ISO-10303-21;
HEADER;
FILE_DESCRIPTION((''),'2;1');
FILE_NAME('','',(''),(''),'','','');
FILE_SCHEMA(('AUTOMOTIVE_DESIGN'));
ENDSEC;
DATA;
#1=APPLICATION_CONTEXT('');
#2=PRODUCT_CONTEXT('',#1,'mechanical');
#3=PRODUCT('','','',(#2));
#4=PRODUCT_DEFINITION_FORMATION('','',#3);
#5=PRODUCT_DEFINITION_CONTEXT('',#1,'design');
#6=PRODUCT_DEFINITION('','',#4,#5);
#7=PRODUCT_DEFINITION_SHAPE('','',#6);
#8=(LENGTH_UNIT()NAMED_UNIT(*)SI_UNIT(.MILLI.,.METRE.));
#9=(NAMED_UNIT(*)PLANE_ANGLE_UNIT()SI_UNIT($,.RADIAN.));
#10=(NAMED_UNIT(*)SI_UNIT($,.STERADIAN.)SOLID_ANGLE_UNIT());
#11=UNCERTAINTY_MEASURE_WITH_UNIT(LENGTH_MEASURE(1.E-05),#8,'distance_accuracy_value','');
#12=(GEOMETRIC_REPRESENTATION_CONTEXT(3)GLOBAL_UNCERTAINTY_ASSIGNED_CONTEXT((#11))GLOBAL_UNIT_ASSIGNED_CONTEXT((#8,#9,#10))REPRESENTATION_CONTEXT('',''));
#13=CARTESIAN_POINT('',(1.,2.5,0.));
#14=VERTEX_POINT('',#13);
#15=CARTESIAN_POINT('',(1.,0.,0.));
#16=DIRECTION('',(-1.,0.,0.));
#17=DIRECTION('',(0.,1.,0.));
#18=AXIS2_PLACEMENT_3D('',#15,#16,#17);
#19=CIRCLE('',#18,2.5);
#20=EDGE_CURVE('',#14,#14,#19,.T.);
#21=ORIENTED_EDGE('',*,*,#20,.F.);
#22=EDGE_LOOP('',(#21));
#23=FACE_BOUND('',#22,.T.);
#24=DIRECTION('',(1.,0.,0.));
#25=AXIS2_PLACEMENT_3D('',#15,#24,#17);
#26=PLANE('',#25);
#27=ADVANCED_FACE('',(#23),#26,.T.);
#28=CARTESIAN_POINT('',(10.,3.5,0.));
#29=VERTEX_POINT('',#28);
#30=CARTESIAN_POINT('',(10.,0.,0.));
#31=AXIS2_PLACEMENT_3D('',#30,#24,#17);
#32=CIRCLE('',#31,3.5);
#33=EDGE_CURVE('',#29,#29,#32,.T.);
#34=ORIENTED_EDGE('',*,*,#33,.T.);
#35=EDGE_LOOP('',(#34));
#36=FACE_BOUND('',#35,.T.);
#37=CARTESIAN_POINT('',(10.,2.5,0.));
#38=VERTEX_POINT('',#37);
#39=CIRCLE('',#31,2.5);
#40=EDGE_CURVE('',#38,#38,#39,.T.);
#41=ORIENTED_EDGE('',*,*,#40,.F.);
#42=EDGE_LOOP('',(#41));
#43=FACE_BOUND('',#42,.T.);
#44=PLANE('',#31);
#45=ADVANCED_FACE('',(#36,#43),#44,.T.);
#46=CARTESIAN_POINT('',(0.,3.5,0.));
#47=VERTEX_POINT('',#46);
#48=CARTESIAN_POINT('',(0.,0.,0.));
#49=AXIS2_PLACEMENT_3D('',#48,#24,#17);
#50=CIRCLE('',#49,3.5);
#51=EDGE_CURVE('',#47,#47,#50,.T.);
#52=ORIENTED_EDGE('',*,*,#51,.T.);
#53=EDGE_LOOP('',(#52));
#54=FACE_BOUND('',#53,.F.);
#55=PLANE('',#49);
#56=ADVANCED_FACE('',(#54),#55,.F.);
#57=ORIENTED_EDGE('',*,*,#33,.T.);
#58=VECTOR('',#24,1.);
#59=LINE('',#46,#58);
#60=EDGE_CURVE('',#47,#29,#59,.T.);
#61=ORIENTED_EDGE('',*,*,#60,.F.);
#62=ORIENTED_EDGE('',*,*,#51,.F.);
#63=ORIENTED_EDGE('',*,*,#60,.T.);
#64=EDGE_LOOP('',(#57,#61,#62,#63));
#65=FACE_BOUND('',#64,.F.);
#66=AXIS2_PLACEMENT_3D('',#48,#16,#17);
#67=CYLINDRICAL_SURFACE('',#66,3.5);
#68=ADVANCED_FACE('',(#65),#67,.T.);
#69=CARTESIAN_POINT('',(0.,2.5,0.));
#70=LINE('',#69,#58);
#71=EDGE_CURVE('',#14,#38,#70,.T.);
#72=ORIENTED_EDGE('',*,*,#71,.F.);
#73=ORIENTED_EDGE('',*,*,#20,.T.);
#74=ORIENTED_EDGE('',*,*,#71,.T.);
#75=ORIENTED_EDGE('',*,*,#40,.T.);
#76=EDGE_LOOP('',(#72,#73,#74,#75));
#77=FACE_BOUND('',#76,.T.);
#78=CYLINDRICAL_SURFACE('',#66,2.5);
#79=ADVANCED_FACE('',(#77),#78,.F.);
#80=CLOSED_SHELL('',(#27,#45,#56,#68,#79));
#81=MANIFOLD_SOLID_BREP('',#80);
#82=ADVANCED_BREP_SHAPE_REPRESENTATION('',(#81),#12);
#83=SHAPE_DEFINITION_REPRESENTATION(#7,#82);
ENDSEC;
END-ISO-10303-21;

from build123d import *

# Parameters (mm, degrees)
F0_R     = 3.5
F0_R_2   = 2.193938
F1_DEPTH = 10
F2_T     = -1


with BuildPart() as f1:
    # F0 (on Right) → F1 (new body)
    with BuildSketch(Plane.YZ):
        Circle(F0_R)
        Circle(F0_R_2, mode=Mode.SUBTRACT)
        Circle(F0_R_2)
    extrude(amount=F1_DEPTH)

    # F2
    f2_openings = [f1.faces().sort_by_distance(p)[0] for p in [
        (10, 0, 0),
    ]]
    offset(amount=F2_T, openings=f2_openings)


solid = f1.part
